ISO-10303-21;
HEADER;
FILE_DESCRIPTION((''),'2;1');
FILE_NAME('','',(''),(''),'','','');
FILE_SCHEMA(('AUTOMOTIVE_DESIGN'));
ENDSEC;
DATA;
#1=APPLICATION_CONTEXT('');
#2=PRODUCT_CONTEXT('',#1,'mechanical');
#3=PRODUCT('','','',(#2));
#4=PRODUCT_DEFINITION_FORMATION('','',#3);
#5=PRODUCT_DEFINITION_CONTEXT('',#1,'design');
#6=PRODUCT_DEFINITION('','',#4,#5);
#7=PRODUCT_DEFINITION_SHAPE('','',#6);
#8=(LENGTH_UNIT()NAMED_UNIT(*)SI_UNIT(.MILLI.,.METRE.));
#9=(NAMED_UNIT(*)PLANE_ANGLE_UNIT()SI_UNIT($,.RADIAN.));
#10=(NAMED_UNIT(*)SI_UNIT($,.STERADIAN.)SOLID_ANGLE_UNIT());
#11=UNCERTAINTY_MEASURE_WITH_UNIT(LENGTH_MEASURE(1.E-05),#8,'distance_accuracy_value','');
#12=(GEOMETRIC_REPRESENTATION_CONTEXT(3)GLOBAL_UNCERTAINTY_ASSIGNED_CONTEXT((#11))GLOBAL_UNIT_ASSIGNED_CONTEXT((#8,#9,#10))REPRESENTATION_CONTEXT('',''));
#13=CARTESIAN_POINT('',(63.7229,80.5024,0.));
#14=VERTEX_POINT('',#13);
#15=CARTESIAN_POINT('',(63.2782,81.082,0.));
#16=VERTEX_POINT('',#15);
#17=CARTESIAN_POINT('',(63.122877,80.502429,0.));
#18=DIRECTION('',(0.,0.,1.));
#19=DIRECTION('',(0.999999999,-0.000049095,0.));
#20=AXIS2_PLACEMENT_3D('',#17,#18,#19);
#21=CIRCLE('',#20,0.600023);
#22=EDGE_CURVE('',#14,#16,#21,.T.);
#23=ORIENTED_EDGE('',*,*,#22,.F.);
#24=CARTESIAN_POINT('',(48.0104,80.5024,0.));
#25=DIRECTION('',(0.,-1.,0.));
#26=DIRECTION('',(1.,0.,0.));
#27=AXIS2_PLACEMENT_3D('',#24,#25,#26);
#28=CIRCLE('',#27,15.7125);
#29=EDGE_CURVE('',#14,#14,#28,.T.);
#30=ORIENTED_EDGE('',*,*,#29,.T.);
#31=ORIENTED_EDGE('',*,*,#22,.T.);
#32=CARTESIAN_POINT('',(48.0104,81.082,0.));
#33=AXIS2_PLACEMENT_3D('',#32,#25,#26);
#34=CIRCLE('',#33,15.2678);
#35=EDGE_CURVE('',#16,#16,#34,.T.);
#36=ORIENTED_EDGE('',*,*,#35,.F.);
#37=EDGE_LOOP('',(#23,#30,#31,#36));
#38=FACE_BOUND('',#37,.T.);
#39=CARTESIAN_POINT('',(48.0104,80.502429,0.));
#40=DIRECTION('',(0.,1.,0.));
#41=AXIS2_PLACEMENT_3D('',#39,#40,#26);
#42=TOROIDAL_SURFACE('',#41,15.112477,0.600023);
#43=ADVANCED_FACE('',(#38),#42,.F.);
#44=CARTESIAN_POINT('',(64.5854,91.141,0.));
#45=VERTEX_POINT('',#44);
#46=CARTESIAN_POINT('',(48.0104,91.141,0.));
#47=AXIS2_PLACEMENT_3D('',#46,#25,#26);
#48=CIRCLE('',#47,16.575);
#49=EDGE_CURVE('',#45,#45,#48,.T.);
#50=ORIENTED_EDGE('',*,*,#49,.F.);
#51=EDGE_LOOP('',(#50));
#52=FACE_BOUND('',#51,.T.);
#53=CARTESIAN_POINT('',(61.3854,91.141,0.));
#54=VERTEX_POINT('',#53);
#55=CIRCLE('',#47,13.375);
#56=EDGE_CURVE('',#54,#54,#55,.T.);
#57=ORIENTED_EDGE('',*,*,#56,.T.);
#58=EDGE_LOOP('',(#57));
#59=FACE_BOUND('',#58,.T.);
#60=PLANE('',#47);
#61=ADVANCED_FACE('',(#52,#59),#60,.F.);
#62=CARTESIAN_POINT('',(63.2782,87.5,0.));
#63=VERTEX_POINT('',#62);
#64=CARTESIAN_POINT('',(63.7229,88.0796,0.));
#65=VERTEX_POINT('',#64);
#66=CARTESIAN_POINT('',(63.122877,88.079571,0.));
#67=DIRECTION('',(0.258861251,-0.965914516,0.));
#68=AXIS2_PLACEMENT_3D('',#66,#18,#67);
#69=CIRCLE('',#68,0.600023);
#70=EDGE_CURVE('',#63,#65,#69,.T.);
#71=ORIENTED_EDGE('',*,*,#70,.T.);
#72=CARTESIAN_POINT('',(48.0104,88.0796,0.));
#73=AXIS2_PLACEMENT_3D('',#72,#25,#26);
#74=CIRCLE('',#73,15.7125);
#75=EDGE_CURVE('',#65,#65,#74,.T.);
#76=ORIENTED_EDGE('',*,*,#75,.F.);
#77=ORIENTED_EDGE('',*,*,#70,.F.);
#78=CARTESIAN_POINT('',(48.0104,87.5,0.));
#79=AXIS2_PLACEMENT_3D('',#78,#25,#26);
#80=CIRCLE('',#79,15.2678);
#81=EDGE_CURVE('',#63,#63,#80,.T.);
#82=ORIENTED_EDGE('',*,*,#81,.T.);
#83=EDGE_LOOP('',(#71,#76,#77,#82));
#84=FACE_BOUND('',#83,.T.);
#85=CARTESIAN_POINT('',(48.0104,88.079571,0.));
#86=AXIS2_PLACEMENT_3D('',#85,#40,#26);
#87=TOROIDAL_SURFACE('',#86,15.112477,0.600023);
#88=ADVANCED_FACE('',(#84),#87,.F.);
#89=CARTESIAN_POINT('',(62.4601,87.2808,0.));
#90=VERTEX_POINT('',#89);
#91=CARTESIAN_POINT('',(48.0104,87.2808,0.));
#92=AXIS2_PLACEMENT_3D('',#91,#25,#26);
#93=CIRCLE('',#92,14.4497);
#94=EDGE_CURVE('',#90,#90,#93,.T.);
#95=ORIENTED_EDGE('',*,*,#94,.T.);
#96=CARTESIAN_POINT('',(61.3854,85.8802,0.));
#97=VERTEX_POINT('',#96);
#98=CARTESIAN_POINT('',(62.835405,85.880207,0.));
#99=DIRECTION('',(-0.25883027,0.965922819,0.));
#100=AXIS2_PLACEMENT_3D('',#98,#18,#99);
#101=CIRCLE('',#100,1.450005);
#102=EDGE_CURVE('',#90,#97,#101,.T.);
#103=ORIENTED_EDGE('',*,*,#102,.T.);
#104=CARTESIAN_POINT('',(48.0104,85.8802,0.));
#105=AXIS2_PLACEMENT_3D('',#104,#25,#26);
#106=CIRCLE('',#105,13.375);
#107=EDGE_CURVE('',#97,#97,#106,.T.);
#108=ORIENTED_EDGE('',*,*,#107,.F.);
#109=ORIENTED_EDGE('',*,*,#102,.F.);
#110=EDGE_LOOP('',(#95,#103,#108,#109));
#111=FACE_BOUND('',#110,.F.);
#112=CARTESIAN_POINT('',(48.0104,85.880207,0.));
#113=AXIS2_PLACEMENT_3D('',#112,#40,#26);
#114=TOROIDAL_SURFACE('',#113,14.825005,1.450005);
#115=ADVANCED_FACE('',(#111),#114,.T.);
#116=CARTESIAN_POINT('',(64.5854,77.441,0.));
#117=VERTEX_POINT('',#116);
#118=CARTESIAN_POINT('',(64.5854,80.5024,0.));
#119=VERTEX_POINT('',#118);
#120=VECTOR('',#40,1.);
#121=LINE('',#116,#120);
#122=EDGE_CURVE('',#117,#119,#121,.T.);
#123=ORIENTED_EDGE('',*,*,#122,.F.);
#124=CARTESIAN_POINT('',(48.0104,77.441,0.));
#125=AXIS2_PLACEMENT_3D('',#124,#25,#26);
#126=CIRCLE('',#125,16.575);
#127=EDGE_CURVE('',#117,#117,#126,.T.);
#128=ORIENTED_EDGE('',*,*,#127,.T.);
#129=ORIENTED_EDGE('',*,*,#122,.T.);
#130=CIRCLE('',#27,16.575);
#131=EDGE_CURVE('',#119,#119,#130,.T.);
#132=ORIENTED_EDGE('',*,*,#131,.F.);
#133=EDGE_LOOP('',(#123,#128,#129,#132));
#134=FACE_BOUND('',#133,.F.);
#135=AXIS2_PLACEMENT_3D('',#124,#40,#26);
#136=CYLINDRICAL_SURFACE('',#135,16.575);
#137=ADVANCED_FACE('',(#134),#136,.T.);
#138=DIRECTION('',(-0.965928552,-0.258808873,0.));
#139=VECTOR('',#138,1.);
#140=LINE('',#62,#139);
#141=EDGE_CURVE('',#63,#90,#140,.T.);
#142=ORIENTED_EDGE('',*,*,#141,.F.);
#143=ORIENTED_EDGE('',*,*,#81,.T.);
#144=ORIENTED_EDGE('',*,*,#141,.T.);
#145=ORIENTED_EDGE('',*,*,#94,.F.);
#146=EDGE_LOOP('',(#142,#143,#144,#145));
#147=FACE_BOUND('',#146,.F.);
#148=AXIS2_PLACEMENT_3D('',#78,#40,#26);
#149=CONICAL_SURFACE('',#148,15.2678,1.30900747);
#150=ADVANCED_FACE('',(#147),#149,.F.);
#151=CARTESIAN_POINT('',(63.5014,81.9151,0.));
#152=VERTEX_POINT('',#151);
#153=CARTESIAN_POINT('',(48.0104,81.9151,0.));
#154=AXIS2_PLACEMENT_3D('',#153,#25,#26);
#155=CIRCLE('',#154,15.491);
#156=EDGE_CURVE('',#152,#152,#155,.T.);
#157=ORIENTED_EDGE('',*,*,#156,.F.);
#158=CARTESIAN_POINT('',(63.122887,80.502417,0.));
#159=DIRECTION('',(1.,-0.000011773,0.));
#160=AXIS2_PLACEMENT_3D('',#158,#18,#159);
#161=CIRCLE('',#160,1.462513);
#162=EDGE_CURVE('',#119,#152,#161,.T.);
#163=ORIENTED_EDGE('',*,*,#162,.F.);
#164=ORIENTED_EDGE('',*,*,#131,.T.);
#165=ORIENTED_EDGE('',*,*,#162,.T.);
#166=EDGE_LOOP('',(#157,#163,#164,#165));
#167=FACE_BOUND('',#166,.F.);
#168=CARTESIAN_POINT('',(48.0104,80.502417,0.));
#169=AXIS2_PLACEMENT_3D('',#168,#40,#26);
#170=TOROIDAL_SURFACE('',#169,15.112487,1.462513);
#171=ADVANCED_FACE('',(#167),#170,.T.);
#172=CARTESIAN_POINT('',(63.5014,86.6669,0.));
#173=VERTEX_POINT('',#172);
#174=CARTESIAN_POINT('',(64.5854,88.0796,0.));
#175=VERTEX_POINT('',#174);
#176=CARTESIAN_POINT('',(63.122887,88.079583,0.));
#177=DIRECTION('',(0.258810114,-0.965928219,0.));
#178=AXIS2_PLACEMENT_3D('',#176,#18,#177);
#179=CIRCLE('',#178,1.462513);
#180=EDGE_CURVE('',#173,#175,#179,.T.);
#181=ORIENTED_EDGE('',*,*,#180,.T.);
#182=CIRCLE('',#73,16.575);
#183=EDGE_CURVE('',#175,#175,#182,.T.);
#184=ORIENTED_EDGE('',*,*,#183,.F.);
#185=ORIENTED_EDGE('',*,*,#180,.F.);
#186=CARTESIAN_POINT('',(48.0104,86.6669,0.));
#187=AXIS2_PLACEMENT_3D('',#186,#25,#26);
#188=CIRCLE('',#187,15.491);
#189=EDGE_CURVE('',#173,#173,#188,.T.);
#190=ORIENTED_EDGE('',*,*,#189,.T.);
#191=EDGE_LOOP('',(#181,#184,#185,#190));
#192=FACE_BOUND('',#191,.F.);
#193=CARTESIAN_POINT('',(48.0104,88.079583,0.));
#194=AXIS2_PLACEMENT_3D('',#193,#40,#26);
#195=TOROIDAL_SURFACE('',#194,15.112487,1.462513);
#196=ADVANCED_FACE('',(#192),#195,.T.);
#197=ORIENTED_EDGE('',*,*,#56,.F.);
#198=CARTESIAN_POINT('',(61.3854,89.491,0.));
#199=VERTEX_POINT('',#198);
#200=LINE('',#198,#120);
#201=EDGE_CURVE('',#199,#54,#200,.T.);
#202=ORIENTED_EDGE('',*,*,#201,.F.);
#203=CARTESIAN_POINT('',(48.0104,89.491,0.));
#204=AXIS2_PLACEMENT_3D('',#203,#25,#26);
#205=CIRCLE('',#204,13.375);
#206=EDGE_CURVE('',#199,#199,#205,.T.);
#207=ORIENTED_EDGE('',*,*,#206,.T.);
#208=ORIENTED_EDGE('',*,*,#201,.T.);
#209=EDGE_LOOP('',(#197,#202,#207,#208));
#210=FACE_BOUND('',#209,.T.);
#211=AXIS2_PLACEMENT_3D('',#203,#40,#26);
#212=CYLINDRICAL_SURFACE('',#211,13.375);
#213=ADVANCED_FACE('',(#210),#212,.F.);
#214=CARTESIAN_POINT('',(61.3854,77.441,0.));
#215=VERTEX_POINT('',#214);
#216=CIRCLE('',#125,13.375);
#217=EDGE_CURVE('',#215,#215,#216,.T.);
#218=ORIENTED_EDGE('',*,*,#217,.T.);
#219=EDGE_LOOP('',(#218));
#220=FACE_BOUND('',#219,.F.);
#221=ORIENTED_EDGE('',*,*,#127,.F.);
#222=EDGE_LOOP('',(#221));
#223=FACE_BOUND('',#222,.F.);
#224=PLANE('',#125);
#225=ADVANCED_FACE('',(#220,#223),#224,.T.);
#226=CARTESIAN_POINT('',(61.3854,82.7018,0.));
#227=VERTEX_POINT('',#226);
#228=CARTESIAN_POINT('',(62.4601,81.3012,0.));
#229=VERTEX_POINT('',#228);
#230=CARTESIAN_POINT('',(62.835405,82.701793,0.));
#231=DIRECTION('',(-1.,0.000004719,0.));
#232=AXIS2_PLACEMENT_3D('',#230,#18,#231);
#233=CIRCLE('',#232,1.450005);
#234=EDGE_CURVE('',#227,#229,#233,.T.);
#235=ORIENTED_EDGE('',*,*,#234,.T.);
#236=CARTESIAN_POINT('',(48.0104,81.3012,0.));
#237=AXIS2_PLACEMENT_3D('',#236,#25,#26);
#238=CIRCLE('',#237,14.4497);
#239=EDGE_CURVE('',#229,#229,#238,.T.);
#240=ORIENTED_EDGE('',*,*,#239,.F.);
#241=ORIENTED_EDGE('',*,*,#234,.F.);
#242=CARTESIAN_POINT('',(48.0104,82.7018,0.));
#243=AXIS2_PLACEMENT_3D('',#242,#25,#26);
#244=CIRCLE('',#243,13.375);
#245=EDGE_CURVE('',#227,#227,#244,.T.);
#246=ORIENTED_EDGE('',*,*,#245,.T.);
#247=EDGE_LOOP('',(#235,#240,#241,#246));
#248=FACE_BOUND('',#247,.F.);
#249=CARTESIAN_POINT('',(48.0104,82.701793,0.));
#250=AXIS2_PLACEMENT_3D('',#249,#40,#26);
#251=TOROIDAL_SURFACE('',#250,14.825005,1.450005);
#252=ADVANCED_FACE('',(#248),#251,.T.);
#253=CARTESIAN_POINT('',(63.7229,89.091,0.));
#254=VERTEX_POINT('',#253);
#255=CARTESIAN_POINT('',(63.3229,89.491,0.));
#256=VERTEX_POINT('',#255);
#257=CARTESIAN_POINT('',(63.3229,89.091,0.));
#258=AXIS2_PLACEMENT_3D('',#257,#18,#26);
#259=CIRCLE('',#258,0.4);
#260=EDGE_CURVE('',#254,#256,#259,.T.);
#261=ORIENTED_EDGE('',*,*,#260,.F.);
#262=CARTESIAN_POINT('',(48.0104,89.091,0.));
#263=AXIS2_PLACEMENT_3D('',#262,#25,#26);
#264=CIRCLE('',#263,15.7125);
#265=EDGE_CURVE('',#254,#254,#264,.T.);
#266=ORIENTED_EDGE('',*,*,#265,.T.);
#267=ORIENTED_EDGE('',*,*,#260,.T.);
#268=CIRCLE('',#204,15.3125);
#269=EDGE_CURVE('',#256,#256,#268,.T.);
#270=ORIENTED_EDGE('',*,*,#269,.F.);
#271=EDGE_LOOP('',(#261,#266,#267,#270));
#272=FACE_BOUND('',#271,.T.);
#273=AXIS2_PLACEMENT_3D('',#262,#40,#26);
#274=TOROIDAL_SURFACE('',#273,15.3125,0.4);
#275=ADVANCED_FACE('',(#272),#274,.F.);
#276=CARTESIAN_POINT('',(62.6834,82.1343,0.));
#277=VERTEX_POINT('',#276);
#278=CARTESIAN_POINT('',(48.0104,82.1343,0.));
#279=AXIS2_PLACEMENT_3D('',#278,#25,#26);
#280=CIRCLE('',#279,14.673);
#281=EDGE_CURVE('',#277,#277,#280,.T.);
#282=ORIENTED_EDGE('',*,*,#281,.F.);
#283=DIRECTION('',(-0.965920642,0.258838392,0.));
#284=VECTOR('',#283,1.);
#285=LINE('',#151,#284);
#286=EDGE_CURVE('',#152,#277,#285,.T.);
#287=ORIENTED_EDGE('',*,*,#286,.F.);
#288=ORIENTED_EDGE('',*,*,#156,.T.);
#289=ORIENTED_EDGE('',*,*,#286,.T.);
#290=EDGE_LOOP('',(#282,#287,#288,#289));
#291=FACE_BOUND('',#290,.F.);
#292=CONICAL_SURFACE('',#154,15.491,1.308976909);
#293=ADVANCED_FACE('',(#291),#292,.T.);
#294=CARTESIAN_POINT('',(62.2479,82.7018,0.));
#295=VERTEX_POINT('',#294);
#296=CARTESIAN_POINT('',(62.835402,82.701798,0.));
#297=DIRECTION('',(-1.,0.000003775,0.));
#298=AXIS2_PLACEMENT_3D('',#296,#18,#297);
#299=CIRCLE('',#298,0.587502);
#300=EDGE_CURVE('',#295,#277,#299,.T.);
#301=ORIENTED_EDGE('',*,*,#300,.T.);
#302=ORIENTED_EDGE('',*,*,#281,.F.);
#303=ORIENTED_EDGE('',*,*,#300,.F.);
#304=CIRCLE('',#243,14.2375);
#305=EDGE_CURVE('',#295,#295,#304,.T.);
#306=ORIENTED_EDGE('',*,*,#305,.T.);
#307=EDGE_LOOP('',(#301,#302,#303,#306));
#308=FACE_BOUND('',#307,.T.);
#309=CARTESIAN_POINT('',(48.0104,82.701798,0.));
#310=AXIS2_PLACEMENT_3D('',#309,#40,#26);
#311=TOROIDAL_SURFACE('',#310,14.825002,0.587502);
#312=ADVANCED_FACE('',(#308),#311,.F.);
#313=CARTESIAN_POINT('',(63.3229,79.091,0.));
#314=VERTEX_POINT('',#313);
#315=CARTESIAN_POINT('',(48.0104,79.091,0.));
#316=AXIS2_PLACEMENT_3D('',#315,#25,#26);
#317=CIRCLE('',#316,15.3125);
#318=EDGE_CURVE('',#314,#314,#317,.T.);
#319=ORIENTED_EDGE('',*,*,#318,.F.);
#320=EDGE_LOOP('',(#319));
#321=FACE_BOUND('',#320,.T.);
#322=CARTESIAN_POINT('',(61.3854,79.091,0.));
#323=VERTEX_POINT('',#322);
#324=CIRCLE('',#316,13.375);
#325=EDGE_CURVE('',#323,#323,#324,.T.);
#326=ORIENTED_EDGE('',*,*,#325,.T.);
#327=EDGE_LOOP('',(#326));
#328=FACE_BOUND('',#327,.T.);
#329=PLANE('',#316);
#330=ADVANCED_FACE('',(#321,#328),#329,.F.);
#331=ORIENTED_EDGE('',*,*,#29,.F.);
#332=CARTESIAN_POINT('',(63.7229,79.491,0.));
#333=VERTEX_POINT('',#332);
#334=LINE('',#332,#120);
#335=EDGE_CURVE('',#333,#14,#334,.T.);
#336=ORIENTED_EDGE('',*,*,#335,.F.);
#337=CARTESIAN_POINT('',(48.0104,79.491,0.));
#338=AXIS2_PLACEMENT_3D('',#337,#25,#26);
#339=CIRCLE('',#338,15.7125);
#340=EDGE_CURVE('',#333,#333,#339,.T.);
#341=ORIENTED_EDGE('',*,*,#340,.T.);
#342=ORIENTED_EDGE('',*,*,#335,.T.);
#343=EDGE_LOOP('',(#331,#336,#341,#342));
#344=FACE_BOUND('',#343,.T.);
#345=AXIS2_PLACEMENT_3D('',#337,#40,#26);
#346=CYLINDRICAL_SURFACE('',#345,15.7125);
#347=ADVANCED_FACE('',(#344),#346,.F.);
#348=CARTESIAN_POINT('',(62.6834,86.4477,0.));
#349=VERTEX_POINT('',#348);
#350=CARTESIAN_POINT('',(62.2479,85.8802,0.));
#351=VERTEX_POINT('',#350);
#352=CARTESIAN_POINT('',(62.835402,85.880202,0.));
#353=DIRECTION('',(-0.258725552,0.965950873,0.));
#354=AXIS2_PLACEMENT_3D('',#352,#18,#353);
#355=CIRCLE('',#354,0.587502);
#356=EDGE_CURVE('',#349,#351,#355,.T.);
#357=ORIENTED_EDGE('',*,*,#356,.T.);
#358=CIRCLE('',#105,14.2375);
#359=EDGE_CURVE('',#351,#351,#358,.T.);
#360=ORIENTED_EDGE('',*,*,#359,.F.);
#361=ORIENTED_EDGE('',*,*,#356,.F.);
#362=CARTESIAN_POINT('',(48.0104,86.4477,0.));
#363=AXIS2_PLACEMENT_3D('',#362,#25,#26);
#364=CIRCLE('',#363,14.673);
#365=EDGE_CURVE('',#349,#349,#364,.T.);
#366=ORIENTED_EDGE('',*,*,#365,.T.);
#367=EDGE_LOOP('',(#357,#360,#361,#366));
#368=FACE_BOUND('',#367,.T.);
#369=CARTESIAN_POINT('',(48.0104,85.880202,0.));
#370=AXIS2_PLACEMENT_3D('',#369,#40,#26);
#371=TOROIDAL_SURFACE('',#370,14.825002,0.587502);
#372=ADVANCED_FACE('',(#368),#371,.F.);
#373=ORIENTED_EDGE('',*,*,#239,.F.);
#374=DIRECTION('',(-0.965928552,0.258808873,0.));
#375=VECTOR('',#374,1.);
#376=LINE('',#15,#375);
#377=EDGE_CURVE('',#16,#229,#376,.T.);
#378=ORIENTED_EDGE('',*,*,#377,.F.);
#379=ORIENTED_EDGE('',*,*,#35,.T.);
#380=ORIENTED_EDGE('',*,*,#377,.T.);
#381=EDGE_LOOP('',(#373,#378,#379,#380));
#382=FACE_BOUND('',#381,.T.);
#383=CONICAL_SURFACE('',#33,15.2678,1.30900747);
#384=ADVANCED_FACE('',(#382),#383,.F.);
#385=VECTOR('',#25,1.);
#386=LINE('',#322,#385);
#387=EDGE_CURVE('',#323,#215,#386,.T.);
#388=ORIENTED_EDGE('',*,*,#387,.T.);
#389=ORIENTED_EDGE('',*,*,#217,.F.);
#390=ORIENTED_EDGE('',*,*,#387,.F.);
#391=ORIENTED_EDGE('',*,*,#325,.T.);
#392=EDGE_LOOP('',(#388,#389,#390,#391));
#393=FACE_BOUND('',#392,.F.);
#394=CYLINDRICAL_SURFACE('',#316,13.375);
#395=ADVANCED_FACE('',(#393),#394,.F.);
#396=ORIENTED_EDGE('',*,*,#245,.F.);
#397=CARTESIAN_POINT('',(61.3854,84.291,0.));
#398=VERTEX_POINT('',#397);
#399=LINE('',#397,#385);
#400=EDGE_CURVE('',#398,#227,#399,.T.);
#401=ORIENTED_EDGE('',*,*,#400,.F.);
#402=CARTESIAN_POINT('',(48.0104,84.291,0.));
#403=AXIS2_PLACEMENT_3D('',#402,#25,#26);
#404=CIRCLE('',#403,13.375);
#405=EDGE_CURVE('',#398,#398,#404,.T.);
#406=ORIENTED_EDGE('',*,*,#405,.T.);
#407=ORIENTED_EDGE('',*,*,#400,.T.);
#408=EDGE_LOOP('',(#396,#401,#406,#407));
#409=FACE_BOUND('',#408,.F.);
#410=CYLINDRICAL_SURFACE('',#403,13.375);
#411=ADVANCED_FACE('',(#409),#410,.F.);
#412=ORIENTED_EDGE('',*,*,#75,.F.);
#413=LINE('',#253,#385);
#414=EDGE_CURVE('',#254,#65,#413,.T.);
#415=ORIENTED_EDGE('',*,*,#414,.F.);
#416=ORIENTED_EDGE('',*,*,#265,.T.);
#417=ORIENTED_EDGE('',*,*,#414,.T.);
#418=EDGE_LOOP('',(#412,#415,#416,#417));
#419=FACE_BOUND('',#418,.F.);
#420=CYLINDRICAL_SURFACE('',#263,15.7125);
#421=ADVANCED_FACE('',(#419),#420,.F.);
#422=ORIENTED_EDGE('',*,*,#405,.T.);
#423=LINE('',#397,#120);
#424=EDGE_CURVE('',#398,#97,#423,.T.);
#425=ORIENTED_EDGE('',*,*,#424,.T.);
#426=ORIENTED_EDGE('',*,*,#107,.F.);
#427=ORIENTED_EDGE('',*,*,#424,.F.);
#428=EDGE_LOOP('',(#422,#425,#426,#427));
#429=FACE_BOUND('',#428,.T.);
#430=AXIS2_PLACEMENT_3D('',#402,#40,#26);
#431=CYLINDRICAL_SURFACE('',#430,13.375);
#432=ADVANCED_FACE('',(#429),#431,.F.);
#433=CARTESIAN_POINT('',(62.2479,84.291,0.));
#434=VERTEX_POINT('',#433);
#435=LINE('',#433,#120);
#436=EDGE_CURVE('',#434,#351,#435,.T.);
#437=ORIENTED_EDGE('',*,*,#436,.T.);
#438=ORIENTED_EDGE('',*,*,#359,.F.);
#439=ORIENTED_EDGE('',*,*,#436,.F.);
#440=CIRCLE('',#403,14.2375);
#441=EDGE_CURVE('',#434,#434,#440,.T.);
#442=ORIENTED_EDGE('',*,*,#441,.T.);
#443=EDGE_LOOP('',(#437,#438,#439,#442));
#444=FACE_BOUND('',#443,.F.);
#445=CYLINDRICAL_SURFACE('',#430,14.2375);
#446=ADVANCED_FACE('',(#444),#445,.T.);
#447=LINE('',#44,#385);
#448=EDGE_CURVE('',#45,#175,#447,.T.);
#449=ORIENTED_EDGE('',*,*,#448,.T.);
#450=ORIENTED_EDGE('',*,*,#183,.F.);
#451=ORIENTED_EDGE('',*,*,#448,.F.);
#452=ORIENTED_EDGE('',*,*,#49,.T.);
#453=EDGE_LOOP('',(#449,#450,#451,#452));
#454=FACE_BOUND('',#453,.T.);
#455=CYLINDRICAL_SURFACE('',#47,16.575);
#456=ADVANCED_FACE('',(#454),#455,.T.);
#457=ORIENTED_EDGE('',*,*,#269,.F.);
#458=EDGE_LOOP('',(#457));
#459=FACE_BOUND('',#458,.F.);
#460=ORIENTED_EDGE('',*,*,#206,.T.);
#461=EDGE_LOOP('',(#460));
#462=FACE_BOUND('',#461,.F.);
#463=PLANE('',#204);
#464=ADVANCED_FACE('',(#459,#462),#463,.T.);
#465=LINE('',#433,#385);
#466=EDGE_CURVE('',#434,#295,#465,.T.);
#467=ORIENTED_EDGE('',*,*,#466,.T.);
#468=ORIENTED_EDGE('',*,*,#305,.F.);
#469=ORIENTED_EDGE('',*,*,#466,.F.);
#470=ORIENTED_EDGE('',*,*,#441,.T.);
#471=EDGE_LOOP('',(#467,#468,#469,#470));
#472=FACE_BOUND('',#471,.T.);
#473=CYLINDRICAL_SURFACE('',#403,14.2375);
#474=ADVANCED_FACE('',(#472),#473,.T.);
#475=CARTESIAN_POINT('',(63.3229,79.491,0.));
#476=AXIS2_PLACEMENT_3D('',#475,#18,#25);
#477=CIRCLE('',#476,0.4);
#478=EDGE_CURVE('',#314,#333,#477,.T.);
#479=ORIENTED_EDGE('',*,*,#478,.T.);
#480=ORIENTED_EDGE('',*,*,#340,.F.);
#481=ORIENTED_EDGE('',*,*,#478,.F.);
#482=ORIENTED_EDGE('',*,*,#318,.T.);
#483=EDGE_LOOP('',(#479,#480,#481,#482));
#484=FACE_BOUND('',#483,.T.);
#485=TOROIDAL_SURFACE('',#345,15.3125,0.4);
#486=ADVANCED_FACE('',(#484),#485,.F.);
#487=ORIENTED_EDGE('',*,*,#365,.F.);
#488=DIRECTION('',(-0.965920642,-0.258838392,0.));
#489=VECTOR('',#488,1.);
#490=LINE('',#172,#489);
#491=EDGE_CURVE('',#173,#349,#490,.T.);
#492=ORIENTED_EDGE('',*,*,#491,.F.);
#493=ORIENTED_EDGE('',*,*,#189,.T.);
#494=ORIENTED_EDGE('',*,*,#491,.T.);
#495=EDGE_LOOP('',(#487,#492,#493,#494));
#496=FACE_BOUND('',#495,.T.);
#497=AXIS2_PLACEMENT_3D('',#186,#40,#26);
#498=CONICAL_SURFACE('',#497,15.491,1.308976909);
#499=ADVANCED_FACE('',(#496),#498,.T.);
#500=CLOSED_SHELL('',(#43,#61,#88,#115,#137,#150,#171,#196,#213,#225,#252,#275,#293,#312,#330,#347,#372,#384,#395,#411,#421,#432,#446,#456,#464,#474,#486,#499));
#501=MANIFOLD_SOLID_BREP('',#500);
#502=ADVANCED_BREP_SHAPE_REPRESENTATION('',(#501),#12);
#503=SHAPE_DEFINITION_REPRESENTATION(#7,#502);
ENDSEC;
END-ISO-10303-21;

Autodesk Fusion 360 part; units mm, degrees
sketch "Sketch1" plane through (0, 0, 0) normal (0, 0, 1) x (1, 0, 0)
  line L0 (48.0104, 91.141) -> (64.5854, 91.141)
  line L1 (48.0104, 77.441) -> (64.5854, 77.441)
  line L2 (48.0104, 89.491) -> (63.3229, 89.491)
  line L3 (61.3854, 84.291) -> (61.3854, 85.8802)
  line L4 (63.7229, 89.091) -> (63.7229, 88.0796)
  arc A0 (63.7229, 89.091) -> (63.3229, 89.491) centre (63.3229, 89.091) ccw
  line L5 (63.2782, 87.5) -> (62.4601, 87.2808)
  arc A1 (63.2782, 87.5) -> (63.7229, 88.0796) centre (63.1229, 88.0796) ccw
  arc A2 (62.4601, 87.2808) -> (61.3854, 85.8802) centre (62.8354, 85.8802) ccw
  arc A3 (63.5014, 86.6669) -> (64.5854, 88.0796) centre (63.1229, 88.0796) ccw
  line L6 (63.5014, 86.6669) -> (62.6834, 86.4477)
  arc A4 (62.6834, 86.4477) -> (62.2479, 85.8802) centre (62.8354, 85.8802) ccw
  line L7 (62.2479, 84.291) -> (62.2479, 85.8802)
  line L8 (64.5854, 91.141) -> (64.5854, 88.0796)
  line L9 (63.2782, 81.082) -> (62.4601, 81.3012)
  arc A5 (64.5854, 80.5024) -> (63.5014, 81.9151) centre (63.1229, 80.5024) ccw
  line L10 (63.5014, 81.9151) -> (62.6834, 82.1343)
  line L11 (64.5854, 77.441) -> (64.5854, 80.5024)
  arc A6 (63.7229, 80.5024) -> (63.2782, 81.082) centre (63.1229, 80.5024) ccw
  line L12 (48.0104, 79.091) -> (63.3229, 79.091)
  line L13 (63.7229, 79.491) -> (63.7229, 80.5024)
  arc A7 (63.3229, 79.091) -> (63.7229, 79.491) centre (63.3229, 79.491) ccw
  line L14 (48.0104, 77.441) -> (64.5854, 77.441)
  arc A8 (61.3854, 82.7018) -> (62.4601, 81.3012) centre (62.8354, 82.7018) ccw
  line L15 (61.3854, 84.291) -> (61.3854, 82.7018)
  line L16 (62.2479, 84.291) -> (62.2479, 82.7018)
  arc A9 (62.2479, 82.7018) -> (62.6834, 82.1343) centre (62.8354, 82.7018) ccw
  line L17 (48.0104, 91.141) -> (48.0104, 89.491)
  line L18 (48.0104, 79.091) -> (48.0104, 77.441)
  line L19 (61.3854, 79.091) -> (61.3854, 77.441)
  line L20 (61.3854, 89.491) -> (61.3854, 91.141)
  point P0 (63.7229, 89.491)
  point P1 (63.7229, 79.091)
  dimension "d1" = 16.575
  dimension "d2" = 13.7
  dimension "d7" = 15.7125
  dimension "d13" = 0.4
  dimension "d19" = 0.6
  dimension "d20" = 1.45
revolve "Revolve1" add sketch "Sketch1" angle 360 about axis through (48.0104, 91.141, 0) along (0, -1, 0) contours L0 L1 L2 L3 L4 A0 L5 A1 A2 A3 L6 A4 L7 L8 L9 A5 L10 L11 A6 L12 L13 A7 L14 A8 L15 L16 A9 L19 L20
